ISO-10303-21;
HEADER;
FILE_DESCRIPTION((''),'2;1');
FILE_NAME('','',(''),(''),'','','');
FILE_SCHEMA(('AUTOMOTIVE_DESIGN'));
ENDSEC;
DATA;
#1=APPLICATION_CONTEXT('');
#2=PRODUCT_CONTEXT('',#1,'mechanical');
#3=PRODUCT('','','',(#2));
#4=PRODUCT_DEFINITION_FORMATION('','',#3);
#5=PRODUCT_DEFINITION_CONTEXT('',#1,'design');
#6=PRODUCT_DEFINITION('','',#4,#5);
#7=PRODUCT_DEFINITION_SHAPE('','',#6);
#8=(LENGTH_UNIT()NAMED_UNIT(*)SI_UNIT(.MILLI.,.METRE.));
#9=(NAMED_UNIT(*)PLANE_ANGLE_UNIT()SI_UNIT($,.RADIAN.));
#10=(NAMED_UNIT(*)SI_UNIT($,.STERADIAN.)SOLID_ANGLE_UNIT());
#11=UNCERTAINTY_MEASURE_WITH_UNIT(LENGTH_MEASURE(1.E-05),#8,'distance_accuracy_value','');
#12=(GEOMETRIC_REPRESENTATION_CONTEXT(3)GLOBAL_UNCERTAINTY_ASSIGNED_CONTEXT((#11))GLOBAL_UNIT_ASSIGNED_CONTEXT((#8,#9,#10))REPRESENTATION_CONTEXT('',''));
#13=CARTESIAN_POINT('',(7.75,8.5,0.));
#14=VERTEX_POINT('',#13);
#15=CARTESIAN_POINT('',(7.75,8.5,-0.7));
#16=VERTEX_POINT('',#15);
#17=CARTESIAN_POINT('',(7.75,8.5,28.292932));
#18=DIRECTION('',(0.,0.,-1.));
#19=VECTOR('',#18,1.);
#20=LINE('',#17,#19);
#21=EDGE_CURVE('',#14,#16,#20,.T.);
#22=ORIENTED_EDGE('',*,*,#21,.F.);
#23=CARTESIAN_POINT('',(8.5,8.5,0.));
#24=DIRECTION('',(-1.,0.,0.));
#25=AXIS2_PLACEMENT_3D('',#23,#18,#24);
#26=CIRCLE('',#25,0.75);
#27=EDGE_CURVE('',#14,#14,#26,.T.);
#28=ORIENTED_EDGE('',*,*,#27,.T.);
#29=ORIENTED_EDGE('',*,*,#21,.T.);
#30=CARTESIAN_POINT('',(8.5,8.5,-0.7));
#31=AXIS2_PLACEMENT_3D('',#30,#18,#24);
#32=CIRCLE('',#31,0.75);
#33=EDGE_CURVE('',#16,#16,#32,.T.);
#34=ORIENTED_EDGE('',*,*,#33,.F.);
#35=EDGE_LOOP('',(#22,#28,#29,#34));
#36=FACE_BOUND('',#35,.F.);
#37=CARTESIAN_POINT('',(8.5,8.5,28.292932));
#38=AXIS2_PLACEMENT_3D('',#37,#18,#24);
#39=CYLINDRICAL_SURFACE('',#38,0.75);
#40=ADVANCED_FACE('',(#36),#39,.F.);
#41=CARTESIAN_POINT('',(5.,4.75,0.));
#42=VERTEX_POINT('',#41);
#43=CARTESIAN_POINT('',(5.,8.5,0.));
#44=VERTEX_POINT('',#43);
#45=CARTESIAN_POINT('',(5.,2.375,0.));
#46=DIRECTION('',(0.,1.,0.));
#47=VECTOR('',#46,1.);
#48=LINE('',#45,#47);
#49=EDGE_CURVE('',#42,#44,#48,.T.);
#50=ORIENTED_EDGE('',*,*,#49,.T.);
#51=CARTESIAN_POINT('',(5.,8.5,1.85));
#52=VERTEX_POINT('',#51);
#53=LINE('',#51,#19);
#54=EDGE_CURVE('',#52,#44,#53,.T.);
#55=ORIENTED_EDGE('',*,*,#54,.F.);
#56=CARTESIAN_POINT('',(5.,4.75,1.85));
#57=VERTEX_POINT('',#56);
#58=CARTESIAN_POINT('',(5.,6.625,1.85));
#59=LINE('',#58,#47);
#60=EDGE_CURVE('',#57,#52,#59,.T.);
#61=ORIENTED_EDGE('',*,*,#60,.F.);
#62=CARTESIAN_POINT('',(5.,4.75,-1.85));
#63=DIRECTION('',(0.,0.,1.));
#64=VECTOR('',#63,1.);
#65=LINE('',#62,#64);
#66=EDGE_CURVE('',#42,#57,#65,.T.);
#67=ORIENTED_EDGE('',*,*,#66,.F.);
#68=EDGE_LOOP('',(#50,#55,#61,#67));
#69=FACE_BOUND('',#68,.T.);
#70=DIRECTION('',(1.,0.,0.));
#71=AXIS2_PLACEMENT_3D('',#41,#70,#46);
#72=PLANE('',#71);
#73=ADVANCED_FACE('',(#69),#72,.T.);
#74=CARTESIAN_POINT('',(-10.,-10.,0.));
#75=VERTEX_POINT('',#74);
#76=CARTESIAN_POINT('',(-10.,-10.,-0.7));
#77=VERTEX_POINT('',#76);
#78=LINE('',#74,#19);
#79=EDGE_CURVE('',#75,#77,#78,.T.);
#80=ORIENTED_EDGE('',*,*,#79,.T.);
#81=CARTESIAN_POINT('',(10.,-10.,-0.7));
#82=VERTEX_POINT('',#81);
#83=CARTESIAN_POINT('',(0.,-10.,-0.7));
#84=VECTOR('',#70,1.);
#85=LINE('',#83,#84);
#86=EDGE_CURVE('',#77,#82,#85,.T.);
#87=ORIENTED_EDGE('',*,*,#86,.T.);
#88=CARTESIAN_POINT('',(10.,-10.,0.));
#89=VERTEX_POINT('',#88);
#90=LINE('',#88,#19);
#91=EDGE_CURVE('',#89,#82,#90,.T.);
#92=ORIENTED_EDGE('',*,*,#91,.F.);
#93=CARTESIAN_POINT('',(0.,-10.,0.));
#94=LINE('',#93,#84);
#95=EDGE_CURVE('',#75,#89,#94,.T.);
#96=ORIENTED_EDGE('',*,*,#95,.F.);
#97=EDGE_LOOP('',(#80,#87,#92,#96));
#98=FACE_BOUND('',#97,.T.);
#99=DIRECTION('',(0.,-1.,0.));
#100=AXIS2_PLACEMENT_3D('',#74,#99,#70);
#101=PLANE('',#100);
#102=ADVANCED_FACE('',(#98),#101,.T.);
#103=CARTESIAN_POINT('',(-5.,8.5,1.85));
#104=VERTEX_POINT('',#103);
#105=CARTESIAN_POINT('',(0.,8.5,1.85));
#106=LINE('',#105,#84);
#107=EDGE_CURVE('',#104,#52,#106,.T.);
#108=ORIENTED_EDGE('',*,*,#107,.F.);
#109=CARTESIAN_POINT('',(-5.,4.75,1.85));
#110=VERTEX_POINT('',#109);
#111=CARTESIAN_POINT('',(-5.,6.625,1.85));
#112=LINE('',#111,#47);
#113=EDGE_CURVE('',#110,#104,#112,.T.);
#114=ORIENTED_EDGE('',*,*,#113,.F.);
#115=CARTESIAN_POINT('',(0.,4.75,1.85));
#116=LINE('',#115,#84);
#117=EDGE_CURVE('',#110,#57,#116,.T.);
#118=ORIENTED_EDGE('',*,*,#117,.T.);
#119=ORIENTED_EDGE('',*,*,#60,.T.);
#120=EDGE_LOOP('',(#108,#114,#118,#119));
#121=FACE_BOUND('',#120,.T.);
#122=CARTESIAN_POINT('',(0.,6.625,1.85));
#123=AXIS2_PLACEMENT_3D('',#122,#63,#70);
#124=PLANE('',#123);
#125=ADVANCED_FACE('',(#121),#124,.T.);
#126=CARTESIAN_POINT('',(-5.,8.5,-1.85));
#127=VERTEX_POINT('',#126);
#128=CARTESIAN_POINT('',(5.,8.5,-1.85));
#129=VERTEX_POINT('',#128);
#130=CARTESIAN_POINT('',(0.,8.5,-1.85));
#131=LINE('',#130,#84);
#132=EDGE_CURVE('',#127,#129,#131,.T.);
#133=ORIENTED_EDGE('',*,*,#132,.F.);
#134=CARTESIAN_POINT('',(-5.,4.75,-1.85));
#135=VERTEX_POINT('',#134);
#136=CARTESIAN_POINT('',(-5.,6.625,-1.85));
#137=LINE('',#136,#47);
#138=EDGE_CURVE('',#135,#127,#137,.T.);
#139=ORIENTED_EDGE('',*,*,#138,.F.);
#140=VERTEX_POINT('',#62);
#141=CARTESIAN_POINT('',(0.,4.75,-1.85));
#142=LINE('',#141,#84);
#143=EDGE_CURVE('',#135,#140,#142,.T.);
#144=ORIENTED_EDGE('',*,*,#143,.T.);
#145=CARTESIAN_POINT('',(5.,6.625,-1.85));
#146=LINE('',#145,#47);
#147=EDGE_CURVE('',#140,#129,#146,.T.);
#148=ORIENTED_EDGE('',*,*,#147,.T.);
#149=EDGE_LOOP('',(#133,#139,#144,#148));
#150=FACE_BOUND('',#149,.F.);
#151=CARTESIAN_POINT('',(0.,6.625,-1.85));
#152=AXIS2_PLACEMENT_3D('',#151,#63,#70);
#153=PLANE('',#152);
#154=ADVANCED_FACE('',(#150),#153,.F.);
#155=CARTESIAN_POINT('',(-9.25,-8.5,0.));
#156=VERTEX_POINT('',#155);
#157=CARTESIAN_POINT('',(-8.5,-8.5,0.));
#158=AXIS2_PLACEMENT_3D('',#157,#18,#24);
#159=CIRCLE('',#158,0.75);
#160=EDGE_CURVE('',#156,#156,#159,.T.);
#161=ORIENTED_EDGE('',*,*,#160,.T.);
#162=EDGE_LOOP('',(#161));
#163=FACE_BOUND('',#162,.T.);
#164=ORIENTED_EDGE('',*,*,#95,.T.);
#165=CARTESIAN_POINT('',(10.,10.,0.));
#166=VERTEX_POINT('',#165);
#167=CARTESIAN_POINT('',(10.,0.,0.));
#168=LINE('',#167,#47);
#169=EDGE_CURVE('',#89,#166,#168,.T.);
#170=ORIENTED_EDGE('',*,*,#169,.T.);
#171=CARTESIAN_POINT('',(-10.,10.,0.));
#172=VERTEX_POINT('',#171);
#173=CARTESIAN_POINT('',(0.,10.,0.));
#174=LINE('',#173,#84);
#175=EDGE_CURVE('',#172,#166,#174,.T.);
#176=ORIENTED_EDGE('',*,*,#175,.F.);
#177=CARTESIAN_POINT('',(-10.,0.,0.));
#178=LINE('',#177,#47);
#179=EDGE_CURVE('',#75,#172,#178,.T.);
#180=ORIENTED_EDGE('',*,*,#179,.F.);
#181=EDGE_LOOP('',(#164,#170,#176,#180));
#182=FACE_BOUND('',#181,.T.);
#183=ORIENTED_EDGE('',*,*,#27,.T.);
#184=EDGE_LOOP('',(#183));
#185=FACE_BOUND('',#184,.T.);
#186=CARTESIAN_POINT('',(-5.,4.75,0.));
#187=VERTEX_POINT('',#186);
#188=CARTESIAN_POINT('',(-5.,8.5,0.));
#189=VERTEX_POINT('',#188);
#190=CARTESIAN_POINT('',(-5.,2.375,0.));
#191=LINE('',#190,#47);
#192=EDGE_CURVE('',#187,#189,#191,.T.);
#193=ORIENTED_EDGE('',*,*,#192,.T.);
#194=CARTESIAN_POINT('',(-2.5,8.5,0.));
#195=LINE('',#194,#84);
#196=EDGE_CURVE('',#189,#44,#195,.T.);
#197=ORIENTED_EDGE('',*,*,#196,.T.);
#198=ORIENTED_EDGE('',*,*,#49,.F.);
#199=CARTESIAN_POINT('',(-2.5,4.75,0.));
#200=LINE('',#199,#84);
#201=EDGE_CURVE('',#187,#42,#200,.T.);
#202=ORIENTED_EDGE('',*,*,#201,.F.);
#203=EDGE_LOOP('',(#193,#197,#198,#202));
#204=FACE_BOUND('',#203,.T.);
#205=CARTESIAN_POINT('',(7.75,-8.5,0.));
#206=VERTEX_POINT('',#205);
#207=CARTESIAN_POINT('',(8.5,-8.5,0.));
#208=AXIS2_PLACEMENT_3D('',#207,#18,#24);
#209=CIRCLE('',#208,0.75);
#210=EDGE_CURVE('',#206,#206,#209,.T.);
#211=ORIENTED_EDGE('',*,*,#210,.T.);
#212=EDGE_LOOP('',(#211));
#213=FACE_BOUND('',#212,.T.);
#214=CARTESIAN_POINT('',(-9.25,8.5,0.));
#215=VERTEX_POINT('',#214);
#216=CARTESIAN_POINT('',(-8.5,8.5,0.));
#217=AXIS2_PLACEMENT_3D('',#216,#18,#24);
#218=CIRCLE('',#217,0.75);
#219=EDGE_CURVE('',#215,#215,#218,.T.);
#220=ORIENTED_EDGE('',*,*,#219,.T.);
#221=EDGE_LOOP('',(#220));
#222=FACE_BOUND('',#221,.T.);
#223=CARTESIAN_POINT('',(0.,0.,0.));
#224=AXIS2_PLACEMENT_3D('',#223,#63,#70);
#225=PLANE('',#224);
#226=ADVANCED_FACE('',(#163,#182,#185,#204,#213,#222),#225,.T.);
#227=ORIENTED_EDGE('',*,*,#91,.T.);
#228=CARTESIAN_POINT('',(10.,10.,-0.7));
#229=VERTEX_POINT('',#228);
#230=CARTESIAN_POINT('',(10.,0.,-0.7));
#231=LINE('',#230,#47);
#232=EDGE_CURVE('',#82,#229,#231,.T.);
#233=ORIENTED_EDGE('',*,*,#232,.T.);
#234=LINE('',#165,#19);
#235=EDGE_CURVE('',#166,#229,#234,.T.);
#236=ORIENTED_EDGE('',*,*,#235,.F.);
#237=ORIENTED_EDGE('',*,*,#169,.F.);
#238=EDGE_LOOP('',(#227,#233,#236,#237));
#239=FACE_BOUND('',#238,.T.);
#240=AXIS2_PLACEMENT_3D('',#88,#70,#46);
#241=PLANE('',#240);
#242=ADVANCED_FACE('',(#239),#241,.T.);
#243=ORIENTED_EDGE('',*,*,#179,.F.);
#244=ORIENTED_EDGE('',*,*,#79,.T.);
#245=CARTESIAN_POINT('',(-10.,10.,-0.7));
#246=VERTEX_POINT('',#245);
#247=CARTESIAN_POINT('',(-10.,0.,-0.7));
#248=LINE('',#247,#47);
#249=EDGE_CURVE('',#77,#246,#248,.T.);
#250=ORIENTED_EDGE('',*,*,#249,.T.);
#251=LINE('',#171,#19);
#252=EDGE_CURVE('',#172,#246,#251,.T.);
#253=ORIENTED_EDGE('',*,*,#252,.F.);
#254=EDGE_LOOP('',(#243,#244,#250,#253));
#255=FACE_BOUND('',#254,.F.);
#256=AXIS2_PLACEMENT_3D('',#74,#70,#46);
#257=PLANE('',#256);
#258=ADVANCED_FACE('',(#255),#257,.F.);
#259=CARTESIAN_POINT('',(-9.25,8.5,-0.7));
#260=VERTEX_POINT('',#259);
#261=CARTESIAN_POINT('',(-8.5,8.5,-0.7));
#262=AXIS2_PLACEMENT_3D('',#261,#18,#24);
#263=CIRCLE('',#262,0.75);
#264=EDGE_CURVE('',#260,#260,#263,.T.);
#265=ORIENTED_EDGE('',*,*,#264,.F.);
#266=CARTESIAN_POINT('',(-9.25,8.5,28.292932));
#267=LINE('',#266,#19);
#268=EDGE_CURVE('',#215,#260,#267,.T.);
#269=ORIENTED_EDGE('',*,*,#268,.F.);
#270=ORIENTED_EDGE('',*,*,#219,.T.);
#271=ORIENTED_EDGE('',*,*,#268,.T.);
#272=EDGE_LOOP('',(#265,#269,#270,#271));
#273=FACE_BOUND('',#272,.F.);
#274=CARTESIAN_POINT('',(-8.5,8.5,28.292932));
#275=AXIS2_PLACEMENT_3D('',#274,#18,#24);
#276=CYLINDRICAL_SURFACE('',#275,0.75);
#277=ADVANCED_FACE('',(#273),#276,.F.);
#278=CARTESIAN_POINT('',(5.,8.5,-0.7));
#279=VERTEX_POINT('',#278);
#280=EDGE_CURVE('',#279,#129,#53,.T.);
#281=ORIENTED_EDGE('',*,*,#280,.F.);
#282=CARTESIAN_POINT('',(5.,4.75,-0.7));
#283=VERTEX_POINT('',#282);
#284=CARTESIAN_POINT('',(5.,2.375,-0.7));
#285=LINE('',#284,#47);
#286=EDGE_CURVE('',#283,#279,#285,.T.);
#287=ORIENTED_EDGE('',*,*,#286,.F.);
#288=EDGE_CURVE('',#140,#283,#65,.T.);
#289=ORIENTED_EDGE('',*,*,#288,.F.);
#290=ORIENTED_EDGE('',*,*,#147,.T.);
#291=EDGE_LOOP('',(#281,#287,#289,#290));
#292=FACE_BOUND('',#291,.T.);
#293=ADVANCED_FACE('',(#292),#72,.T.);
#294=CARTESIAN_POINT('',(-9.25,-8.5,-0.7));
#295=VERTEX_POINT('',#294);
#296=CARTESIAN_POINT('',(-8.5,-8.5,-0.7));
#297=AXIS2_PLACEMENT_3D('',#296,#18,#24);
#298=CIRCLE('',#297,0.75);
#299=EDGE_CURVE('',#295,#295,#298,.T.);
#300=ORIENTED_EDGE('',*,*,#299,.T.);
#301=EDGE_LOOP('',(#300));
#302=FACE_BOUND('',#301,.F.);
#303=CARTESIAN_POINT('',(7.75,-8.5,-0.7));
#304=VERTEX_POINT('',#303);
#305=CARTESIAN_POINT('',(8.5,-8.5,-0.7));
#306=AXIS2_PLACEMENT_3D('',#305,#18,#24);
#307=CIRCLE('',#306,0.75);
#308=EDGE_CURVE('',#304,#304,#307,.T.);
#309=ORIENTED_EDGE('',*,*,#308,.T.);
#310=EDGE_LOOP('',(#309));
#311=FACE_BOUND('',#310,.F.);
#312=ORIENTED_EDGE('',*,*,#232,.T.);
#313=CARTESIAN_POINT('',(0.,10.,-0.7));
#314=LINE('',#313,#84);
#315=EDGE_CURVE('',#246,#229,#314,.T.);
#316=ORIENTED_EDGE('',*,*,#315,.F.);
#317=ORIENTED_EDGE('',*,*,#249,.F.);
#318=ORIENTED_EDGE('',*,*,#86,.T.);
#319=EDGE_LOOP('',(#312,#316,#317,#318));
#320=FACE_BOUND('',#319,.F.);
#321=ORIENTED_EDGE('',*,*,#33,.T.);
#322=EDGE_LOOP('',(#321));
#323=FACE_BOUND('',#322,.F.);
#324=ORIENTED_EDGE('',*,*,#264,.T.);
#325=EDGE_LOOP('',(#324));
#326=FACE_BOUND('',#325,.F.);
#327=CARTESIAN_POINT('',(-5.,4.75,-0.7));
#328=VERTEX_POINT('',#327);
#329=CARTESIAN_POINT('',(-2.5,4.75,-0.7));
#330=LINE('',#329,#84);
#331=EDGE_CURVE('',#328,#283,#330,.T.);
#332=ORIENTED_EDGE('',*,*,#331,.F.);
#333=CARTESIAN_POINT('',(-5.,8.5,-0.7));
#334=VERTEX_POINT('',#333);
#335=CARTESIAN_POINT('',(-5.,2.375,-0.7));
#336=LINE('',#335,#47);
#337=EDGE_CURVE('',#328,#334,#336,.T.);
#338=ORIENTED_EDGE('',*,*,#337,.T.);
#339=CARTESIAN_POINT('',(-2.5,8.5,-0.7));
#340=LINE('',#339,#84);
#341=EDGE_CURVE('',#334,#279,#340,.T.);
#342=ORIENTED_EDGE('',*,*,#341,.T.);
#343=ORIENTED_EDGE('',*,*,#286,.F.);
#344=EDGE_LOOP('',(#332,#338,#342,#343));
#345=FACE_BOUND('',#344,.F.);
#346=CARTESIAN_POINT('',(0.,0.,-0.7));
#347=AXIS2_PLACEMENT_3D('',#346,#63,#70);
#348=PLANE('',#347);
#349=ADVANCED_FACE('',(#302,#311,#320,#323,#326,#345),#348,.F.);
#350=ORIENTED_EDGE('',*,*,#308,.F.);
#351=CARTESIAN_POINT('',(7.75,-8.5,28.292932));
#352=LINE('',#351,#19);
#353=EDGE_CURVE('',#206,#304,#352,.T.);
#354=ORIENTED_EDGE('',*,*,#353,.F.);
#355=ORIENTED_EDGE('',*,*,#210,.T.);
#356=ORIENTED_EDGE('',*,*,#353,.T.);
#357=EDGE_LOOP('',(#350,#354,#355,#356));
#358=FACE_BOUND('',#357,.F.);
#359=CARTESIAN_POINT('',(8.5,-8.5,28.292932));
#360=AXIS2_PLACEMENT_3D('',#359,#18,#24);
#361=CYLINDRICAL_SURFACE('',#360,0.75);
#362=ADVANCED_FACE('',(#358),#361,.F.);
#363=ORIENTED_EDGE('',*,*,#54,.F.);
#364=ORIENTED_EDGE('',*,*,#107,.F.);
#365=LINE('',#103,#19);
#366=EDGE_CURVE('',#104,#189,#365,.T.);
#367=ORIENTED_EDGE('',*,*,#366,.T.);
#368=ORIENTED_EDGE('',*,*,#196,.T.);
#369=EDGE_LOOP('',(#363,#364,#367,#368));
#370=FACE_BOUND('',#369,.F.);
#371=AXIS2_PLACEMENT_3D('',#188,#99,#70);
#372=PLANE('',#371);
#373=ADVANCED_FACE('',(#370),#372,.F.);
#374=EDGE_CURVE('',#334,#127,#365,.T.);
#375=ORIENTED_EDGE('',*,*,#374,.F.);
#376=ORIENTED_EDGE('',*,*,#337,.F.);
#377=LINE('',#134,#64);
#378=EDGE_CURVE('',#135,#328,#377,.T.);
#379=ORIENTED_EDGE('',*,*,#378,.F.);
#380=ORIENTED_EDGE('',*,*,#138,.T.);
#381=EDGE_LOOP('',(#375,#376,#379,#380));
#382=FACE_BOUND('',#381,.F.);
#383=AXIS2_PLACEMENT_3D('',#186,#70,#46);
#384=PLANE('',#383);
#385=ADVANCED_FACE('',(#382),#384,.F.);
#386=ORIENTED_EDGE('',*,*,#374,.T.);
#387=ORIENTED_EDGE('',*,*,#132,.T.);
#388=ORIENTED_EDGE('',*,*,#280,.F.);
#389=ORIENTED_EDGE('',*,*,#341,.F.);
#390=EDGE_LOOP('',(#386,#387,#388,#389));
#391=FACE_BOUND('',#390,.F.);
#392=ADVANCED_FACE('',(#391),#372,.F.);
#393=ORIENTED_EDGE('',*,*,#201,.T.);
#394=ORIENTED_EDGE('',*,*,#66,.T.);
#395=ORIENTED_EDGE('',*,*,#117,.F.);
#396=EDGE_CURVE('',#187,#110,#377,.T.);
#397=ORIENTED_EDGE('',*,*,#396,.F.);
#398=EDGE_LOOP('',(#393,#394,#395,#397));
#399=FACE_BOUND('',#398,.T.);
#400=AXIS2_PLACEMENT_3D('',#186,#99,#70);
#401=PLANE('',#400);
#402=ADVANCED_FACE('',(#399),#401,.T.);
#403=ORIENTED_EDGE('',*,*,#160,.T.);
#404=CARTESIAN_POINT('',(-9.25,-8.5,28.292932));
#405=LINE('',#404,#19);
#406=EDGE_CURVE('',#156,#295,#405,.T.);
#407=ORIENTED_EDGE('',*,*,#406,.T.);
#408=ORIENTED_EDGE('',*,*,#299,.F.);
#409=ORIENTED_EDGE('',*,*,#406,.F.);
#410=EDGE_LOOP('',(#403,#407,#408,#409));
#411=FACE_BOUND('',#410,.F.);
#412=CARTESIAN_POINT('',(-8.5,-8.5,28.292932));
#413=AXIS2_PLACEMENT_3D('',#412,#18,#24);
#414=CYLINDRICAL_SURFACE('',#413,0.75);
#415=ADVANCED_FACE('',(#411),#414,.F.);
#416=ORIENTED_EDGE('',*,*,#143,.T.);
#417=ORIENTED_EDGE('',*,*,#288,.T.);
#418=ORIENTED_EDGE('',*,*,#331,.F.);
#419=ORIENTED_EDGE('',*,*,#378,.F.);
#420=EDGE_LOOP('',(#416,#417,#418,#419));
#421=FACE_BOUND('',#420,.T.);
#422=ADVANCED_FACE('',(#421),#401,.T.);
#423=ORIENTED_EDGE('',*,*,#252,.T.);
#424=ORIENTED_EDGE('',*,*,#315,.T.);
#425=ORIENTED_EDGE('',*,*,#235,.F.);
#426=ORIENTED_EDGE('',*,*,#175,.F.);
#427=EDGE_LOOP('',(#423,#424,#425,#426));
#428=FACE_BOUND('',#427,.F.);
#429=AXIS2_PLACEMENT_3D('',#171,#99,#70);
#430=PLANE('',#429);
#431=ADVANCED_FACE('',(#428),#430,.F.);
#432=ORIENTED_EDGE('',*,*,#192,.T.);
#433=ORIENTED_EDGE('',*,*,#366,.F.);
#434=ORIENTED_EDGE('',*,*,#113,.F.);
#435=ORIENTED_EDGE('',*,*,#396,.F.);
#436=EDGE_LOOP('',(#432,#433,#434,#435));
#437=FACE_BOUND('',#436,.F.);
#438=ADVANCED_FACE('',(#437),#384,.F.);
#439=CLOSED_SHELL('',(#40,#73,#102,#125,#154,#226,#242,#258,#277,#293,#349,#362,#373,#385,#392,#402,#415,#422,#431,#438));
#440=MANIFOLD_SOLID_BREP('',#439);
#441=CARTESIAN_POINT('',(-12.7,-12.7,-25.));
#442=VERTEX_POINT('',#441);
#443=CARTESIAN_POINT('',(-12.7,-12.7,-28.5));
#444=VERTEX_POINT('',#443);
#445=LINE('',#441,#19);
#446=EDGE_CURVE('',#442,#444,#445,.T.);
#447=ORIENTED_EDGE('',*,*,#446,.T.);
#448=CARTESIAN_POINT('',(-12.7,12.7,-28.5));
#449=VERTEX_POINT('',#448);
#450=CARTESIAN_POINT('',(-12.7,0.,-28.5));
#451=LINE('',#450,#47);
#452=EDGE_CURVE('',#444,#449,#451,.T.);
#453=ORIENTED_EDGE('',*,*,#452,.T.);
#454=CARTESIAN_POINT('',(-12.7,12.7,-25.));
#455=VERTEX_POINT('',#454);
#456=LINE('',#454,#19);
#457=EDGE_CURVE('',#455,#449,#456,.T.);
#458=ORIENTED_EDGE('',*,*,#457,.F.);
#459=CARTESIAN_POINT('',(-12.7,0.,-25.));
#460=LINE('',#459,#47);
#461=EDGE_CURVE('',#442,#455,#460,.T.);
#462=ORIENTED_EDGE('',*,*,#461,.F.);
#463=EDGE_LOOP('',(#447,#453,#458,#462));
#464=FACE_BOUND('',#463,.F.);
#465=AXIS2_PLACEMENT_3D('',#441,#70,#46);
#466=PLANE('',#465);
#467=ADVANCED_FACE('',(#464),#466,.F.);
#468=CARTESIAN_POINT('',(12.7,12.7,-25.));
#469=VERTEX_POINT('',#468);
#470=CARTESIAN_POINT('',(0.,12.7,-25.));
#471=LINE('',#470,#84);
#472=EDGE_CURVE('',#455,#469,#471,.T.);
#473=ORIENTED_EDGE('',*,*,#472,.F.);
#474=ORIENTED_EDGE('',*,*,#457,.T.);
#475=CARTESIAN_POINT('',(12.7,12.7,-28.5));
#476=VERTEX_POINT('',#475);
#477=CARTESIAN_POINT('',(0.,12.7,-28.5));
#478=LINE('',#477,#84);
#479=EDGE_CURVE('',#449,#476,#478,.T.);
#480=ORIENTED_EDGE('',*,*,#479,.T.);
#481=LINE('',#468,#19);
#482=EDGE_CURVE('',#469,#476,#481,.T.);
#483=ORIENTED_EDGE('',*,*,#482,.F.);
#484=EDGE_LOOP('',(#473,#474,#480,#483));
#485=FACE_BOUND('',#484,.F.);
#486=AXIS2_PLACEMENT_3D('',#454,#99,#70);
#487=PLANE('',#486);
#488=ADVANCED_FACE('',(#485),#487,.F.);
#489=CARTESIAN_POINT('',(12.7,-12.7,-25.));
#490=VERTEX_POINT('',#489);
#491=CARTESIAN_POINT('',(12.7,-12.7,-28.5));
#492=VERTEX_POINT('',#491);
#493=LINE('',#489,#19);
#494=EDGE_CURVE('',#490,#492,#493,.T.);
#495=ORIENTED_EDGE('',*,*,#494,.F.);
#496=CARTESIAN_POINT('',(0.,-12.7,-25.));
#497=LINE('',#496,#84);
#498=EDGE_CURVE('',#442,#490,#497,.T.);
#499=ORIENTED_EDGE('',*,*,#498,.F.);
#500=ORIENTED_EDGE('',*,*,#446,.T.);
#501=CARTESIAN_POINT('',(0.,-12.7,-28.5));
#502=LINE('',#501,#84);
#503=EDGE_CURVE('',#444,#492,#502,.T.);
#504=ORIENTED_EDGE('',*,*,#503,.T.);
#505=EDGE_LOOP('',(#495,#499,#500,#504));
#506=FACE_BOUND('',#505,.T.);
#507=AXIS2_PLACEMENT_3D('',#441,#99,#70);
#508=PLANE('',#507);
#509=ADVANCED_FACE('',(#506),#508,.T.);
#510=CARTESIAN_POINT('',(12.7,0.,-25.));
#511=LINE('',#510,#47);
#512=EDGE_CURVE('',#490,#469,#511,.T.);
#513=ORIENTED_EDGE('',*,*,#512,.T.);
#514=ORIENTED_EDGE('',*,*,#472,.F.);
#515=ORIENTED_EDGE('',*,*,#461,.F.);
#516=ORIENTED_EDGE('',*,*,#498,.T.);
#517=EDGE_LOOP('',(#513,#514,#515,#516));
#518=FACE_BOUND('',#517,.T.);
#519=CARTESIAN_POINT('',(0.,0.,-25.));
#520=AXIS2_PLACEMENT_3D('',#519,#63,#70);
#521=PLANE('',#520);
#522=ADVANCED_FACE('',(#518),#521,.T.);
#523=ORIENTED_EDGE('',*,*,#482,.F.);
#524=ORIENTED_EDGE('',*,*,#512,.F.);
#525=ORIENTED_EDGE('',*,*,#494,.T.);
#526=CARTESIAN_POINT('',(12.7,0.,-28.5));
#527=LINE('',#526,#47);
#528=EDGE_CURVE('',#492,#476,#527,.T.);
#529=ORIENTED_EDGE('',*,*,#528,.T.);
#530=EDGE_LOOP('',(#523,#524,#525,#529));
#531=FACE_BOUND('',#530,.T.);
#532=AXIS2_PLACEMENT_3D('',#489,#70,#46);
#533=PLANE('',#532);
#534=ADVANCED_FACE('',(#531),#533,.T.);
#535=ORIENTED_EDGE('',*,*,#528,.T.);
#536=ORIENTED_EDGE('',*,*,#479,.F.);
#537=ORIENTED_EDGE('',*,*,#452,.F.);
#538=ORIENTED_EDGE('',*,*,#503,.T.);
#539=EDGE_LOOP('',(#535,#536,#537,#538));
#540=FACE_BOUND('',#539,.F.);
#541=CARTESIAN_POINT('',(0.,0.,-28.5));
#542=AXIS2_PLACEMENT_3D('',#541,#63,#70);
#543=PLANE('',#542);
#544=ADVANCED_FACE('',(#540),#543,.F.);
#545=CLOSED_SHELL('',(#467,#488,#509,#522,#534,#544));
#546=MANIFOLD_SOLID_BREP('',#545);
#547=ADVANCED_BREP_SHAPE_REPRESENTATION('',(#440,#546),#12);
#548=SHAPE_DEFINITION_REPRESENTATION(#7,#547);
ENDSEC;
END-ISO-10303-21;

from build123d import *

# Parameters (mm, degrees)
F0_W     = 20
F0_H     = 20
F0_W_2   = 10
F0_H_2   = 3.75
F1_DEPTH = 0.7
F2_D     = 1.5
F3_W     = 10
F3_H     = 3.75
F4_DEPTH = 1.85
F6_W     = 25.4
F6_H     = 25.4
F7_DEPTH = 3.5


with BuildPart() as f1:
    # F0 (on Top) → F1 (new body)
    with BuildSketch(Plane.XY):
        Rectangle(F0_W, F0_H)
        with Locations((0, 6.625)):
            Rectangle(F0_W_2, F0_H_2, mode=Mode.SUBTRACT)
        with Locations((0, 6.625)):
            Rectangle(F0_W_2, F0_H_2)
    extrude(amount=-F1_DEPTH)

    # F2 (through all)
    with Locations(Plane.XY):
        with Locations((-8.5, 8.5), (8.5, 8.5), (8.5, -8.5), (-8.5, -8.5)):
            Hole(F2_D / 2)

    # F3 (on Top) → F4 (join, symmetric)
    with BuildSketch(Plane.XY):
        with Locations((0, 6.625)):
            Rectangle(F3_W, F3_H)
    extrude(amount=F4_DEPTH, both=True)


with BuildPart() as f7:
    # F6 (on offset) → F7 (new body)
    with BuildSketch(Plane.XY.offset(-25)):
        Rectangle(F6_W, F6_H)
    extrude(amount=-F7_DEPTH)


solid = Compound([f1.part, f7.part])
